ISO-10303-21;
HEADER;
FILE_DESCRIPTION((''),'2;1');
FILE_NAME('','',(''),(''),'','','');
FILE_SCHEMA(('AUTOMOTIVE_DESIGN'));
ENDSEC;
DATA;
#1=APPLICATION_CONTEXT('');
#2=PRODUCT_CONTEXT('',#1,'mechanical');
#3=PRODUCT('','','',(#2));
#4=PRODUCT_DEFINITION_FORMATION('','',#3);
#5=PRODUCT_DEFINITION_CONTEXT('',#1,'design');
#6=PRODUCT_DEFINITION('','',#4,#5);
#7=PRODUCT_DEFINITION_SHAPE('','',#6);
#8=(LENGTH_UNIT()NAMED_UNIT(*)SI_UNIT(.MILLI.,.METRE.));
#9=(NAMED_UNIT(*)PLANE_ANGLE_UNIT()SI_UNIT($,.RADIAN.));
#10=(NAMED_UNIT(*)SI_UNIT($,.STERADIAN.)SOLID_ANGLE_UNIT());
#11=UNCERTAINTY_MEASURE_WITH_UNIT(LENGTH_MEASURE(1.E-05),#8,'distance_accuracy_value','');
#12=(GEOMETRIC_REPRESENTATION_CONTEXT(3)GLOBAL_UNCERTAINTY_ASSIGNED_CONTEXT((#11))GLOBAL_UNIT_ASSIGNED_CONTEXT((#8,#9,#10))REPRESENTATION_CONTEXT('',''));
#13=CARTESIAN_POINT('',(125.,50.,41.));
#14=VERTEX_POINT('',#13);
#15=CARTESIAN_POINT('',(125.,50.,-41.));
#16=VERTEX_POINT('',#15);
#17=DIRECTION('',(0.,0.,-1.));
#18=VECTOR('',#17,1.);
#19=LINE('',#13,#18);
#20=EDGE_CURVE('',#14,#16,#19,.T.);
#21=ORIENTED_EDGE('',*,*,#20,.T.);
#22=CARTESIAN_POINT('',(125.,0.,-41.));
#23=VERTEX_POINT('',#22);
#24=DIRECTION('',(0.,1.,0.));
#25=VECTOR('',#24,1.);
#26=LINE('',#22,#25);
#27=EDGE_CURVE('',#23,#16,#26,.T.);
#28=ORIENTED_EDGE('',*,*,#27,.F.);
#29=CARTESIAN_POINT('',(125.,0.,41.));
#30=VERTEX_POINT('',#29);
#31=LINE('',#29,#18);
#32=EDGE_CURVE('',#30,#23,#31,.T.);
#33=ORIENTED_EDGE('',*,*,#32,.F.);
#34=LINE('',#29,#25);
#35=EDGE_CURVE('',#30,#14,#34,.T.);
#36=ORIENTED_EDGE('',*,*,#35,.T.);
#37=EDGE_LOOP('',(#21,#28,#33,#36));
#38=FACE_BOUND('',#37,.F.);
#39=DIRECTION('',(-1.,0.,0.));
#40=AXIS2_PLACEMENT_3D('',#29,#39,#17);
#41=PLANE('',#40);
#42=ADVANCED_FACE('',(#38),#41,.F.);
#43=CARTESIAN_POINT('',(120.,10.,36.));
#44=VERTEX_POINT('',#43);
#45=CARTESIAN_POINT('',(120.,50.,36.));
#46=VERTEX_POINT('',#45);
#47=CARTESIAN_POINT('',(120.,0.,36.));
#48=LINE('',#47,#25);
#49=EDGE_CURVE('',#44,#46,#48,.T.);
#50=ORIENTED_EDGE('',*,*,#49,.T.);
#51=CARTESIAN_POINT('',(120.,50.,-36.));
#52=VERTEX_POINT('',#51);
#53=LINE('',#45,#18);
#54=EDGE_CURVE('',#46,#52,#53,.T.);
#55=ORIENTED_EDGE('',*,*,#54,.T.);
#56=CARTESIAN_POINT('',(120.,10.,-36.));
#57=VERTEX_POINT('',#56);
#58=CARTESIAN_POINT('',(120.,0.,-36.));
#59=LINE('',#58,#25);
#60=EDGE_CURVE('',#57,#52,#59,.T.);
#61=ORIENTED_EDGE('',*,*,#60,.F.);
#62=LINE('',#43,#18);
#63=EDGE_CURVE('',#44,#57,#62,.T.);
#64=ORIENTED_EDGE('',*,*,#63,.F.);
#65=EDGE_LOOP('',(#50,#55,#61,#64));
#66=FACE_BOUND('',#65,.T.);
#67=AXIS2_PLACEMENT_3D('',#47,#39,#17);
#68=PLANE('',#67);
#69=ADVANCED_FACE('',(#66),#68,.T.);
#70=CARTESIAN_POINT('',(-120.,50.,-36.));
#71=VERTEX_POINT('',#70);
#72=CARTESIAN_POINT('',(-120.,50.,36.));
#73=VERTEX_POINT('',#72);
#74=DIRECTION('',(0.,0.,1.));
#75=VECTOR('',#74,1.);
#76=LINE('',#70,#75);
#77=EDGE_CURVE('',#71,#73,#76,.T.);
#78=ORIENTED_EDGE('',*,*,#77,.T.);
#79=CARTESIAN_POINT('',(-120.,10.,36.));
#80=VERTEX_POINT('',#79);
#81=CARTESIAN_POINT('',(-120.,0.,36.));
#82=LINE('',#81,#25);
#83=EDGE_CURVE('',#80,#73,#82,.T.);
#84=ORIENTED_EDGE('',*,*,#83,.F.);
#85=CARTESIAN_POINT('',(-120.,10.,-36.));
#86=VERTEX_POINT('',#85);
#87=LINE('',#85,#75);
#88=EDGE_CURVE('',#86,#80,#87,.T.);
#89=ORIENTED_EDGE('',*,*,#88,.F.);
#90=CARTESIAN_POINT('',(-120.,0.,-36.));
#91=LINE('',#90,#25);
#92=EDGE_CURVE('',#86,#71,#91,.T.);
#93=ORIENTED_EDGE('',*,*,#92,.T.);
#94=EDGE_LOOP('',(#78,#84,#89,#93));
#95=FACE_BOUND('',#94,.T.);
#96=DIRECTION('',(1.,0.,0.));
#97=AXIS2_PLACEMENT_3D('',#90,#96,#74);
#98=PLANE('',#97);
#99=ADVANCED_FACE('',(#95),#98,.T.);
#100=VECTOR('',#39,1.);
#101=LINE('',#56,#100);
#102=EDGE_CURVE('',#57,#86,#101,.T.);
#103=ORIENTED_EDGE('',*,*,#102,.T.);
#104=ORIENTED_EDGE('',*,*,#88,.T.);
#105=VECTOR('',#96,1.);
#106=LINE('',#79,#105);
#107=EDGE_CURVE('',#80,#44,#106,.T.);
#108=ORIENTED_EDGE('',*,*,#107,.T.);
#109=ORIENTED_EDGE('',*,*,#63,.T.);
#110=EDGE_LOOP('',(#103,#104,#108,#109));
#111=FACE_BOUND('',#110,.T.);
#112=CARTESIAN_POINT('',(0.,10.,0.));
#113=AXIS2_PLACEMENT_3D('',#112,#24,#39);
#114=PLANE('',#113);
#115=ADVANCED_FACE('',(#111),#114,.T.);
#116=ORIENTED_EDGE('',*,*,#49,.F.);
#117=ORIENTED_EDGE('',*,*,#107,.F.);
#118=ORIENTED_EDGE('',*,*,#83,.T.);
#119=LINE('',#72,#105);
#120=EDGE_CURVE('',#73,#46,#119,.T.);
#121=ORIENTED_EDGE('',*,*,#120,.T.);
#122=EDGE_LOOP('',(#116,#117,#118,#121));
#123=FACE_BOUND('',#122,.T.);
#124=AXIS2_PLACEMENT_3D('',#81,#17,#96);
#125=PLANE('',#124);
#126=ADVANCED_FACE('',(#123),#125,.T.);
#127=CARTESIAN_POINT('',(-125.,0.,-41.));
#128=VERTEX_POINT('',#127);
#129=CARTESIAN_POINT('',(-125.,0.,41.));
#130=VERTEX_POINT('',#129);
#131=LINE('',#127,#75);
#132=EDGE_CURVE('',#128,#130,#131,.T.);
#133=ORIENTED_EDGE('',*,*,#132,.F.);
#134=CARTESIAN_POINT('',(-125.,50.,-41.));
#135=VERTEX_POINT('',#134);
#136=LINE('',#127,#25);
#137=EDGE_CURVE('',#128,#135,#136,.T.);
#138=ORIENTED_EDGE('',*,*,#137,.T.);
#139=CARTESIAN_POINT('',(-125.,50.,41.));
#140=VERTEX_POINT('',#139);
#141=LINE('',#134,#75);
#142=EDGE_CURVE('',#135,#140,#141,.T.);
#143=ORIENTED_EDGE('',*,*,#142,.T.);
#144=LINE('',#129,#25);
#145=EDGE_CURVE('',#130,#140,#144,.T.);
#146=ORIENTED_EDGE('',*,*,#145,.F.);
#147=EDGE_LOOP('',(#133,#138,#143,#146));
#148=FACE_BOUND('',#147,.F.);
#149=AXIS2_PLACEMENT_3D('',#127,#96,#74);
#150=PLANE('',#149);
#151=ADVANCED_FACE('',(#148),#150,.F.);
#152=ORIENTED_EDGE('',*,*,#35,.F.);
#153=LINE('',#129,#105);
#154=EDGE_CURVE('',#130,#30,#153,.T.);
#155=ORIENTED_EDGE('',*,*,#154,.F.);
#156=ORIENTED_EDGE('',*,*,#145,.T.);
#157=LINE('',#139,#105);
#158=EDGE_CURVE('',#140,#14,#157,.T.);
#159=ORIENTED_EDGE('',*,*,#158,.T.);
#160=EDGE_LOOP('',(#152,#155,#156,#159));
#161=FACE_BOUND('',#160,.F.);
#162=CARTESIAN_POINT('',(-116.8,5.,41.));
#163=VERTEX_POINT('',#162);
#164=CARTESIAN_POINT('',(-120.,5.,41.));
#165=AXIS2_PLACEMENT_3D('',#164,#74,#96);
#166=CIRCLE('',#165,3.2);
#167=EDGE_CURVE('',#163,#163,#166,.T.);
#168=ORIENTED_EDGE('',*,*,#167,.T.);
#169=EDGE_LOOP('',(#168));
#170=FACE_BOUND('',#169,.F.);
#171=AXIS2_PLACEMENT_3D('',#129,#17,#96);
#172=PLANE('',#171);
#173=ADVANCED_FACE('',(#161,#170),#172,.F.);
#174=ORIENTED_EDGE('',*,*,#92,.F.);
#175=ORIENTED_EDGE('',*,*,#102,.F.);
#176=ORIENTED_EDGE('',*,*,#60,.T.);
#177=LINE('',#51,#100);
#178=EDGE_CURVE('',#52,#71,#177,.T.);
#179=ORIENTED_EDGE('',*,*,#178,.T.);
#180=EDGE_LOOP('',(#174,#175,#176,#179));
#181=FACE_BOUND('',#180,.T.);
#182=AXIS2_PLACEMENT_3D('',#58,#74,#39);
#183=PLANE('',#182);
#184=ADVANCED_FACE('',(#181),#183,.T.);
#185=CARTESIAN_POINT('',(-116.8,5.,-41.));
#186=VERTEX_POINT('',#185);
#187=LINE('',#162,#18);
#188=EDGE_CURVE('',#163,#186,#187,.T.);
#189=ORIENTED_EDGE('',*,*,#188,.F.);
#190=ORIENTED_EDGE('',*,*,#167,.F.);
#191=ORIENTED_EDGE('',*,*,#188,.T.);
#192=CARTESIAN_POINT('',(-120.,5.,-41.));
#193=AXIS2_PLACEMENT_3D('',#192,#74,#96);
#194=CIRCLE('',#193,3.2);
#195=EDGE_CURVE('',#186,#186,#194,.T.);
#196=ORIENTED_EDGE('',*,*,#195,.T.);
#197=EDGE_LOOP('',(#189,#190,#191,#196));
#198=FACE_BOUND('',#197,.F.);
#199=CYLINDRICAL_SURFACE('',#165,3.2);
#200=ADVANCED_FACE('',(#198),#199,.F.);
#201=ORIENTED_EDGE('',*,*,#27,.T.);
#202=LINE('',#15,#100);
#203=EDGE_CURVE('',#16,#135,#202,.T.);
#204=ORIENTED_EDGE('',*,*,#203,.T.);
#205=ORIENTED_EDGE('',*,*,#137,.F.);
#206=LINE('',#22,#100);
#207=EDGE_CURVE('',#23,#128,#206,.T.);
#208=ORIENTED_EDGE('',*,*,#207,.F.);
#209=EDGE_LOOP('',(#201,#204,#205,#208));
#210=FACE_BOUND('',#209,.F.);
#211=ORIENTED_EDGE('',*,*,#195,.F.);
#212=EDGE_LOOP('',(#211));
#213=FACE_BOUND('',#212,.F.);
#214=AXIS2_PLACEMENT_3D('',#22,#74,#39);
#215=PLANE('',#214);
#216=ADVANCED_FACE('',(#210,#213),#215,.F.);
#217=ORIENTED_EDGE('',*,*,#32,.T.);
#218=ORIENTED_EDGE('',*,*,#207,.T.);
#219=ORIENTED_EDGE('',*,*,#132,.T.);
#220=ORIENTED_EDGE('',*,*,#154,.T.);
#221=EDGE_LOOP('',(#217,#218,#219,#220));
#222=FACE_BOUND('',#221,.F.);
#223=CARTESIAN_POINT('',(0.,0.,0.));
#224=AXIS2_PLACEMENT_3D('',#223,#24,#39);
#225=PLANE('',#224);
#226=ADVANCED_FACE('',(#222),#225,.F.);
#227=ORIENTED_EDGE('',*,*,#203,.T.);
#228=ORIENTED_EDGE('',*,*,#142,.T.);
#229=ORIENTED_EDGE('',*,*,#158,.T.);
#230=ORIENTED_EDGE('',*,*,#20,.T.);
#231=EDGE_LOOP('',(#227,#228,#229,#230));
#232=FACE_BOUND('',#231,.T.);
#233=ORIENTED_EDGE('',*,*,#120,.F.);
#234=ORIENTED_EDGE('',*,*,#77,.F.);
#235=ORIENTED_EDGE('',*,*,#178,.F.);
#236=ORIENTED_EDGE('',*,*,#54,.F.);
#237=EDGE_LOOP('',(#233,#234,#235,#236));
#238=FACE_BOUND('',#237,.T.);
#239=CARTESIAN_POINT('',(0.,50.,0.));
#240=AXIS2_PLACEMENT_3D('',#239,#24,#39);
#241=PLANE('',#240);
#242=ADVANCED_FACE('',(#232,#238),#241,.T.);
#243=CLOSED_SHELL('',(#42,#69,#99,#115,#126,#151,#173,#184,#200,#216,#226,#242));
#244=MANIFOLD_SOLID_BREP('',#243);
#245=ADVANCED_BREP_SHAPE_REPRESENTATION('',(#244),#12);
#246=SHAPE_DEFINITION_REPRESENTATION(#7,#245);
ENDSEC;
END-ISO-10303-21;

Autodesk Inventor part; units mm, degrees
ref_plane "YZ Plane" through (0, 0, 0) normal (1, 0, 0) x (0, 1, 0)
ref_plane "XZ Plane" through (0, 0, 0) normal (0, 1, 0) x (-1, 0, 0)
ref_plane "XY Plane" through (0, 0, 0) normal (0, 0, 1) x (1, 0, 0)
sketch "Sketch1" plane through (0, 0, 0) normal (0, 1, 0) x (-1, 0, 0)
  line L0 (120, 36) -> (-120, 36)
  line L1 (-120, 36) -> (-120, -36)
  line L2 (-120, -36) -> (120, -36)
  line L3 (120, -36) -> (120, 36)
  line L4 (120, 36) -> (-120, -36) construction
  line L5 (-120, 36) -> (120, -36) construction
  line L6 (125, 41) -> (-125, 41)
  line L7 (-125, 41) -> (-125, -41)
  line L8 (-125, -41) -> (125, -41)
  line L9 (125, -41) -> (125, 41)
  point P0 (0, 0)
  dimension "d0" = 72
  dimension "d1" = 240
  dimension "d2" = 5
extrude "Extrusion1" add sketch "Sketch1" along normal blind 10 contours L3 L2 L1 L0
extrude "Extrusion2" add sketch "Sketch1" along normal blind 50
sketch "Sketch2" plane through (-125, 0, 41) normal (0, 0, 1) x (1, 0, 0)
  circle A0 centre (5, 5) radius 3.2
  line L0 (0, 0) -> (0, 50) projected
  line L1 (0, 0) -> (250, 0) projected
  point P0 (125, 0)
  dimension "d9" = 6.4
  dimension "d22" = 5
  dimension "d23" = 5
extrude "Extrusion3" cut sketch "Sketch2" against normal through all
sketch "Sketch3" plane through (0, 0, 0) normal (0, -1, 0) x (1, 0, 0)
  point P0 (0, 0)
properties part number "GiveBox"
